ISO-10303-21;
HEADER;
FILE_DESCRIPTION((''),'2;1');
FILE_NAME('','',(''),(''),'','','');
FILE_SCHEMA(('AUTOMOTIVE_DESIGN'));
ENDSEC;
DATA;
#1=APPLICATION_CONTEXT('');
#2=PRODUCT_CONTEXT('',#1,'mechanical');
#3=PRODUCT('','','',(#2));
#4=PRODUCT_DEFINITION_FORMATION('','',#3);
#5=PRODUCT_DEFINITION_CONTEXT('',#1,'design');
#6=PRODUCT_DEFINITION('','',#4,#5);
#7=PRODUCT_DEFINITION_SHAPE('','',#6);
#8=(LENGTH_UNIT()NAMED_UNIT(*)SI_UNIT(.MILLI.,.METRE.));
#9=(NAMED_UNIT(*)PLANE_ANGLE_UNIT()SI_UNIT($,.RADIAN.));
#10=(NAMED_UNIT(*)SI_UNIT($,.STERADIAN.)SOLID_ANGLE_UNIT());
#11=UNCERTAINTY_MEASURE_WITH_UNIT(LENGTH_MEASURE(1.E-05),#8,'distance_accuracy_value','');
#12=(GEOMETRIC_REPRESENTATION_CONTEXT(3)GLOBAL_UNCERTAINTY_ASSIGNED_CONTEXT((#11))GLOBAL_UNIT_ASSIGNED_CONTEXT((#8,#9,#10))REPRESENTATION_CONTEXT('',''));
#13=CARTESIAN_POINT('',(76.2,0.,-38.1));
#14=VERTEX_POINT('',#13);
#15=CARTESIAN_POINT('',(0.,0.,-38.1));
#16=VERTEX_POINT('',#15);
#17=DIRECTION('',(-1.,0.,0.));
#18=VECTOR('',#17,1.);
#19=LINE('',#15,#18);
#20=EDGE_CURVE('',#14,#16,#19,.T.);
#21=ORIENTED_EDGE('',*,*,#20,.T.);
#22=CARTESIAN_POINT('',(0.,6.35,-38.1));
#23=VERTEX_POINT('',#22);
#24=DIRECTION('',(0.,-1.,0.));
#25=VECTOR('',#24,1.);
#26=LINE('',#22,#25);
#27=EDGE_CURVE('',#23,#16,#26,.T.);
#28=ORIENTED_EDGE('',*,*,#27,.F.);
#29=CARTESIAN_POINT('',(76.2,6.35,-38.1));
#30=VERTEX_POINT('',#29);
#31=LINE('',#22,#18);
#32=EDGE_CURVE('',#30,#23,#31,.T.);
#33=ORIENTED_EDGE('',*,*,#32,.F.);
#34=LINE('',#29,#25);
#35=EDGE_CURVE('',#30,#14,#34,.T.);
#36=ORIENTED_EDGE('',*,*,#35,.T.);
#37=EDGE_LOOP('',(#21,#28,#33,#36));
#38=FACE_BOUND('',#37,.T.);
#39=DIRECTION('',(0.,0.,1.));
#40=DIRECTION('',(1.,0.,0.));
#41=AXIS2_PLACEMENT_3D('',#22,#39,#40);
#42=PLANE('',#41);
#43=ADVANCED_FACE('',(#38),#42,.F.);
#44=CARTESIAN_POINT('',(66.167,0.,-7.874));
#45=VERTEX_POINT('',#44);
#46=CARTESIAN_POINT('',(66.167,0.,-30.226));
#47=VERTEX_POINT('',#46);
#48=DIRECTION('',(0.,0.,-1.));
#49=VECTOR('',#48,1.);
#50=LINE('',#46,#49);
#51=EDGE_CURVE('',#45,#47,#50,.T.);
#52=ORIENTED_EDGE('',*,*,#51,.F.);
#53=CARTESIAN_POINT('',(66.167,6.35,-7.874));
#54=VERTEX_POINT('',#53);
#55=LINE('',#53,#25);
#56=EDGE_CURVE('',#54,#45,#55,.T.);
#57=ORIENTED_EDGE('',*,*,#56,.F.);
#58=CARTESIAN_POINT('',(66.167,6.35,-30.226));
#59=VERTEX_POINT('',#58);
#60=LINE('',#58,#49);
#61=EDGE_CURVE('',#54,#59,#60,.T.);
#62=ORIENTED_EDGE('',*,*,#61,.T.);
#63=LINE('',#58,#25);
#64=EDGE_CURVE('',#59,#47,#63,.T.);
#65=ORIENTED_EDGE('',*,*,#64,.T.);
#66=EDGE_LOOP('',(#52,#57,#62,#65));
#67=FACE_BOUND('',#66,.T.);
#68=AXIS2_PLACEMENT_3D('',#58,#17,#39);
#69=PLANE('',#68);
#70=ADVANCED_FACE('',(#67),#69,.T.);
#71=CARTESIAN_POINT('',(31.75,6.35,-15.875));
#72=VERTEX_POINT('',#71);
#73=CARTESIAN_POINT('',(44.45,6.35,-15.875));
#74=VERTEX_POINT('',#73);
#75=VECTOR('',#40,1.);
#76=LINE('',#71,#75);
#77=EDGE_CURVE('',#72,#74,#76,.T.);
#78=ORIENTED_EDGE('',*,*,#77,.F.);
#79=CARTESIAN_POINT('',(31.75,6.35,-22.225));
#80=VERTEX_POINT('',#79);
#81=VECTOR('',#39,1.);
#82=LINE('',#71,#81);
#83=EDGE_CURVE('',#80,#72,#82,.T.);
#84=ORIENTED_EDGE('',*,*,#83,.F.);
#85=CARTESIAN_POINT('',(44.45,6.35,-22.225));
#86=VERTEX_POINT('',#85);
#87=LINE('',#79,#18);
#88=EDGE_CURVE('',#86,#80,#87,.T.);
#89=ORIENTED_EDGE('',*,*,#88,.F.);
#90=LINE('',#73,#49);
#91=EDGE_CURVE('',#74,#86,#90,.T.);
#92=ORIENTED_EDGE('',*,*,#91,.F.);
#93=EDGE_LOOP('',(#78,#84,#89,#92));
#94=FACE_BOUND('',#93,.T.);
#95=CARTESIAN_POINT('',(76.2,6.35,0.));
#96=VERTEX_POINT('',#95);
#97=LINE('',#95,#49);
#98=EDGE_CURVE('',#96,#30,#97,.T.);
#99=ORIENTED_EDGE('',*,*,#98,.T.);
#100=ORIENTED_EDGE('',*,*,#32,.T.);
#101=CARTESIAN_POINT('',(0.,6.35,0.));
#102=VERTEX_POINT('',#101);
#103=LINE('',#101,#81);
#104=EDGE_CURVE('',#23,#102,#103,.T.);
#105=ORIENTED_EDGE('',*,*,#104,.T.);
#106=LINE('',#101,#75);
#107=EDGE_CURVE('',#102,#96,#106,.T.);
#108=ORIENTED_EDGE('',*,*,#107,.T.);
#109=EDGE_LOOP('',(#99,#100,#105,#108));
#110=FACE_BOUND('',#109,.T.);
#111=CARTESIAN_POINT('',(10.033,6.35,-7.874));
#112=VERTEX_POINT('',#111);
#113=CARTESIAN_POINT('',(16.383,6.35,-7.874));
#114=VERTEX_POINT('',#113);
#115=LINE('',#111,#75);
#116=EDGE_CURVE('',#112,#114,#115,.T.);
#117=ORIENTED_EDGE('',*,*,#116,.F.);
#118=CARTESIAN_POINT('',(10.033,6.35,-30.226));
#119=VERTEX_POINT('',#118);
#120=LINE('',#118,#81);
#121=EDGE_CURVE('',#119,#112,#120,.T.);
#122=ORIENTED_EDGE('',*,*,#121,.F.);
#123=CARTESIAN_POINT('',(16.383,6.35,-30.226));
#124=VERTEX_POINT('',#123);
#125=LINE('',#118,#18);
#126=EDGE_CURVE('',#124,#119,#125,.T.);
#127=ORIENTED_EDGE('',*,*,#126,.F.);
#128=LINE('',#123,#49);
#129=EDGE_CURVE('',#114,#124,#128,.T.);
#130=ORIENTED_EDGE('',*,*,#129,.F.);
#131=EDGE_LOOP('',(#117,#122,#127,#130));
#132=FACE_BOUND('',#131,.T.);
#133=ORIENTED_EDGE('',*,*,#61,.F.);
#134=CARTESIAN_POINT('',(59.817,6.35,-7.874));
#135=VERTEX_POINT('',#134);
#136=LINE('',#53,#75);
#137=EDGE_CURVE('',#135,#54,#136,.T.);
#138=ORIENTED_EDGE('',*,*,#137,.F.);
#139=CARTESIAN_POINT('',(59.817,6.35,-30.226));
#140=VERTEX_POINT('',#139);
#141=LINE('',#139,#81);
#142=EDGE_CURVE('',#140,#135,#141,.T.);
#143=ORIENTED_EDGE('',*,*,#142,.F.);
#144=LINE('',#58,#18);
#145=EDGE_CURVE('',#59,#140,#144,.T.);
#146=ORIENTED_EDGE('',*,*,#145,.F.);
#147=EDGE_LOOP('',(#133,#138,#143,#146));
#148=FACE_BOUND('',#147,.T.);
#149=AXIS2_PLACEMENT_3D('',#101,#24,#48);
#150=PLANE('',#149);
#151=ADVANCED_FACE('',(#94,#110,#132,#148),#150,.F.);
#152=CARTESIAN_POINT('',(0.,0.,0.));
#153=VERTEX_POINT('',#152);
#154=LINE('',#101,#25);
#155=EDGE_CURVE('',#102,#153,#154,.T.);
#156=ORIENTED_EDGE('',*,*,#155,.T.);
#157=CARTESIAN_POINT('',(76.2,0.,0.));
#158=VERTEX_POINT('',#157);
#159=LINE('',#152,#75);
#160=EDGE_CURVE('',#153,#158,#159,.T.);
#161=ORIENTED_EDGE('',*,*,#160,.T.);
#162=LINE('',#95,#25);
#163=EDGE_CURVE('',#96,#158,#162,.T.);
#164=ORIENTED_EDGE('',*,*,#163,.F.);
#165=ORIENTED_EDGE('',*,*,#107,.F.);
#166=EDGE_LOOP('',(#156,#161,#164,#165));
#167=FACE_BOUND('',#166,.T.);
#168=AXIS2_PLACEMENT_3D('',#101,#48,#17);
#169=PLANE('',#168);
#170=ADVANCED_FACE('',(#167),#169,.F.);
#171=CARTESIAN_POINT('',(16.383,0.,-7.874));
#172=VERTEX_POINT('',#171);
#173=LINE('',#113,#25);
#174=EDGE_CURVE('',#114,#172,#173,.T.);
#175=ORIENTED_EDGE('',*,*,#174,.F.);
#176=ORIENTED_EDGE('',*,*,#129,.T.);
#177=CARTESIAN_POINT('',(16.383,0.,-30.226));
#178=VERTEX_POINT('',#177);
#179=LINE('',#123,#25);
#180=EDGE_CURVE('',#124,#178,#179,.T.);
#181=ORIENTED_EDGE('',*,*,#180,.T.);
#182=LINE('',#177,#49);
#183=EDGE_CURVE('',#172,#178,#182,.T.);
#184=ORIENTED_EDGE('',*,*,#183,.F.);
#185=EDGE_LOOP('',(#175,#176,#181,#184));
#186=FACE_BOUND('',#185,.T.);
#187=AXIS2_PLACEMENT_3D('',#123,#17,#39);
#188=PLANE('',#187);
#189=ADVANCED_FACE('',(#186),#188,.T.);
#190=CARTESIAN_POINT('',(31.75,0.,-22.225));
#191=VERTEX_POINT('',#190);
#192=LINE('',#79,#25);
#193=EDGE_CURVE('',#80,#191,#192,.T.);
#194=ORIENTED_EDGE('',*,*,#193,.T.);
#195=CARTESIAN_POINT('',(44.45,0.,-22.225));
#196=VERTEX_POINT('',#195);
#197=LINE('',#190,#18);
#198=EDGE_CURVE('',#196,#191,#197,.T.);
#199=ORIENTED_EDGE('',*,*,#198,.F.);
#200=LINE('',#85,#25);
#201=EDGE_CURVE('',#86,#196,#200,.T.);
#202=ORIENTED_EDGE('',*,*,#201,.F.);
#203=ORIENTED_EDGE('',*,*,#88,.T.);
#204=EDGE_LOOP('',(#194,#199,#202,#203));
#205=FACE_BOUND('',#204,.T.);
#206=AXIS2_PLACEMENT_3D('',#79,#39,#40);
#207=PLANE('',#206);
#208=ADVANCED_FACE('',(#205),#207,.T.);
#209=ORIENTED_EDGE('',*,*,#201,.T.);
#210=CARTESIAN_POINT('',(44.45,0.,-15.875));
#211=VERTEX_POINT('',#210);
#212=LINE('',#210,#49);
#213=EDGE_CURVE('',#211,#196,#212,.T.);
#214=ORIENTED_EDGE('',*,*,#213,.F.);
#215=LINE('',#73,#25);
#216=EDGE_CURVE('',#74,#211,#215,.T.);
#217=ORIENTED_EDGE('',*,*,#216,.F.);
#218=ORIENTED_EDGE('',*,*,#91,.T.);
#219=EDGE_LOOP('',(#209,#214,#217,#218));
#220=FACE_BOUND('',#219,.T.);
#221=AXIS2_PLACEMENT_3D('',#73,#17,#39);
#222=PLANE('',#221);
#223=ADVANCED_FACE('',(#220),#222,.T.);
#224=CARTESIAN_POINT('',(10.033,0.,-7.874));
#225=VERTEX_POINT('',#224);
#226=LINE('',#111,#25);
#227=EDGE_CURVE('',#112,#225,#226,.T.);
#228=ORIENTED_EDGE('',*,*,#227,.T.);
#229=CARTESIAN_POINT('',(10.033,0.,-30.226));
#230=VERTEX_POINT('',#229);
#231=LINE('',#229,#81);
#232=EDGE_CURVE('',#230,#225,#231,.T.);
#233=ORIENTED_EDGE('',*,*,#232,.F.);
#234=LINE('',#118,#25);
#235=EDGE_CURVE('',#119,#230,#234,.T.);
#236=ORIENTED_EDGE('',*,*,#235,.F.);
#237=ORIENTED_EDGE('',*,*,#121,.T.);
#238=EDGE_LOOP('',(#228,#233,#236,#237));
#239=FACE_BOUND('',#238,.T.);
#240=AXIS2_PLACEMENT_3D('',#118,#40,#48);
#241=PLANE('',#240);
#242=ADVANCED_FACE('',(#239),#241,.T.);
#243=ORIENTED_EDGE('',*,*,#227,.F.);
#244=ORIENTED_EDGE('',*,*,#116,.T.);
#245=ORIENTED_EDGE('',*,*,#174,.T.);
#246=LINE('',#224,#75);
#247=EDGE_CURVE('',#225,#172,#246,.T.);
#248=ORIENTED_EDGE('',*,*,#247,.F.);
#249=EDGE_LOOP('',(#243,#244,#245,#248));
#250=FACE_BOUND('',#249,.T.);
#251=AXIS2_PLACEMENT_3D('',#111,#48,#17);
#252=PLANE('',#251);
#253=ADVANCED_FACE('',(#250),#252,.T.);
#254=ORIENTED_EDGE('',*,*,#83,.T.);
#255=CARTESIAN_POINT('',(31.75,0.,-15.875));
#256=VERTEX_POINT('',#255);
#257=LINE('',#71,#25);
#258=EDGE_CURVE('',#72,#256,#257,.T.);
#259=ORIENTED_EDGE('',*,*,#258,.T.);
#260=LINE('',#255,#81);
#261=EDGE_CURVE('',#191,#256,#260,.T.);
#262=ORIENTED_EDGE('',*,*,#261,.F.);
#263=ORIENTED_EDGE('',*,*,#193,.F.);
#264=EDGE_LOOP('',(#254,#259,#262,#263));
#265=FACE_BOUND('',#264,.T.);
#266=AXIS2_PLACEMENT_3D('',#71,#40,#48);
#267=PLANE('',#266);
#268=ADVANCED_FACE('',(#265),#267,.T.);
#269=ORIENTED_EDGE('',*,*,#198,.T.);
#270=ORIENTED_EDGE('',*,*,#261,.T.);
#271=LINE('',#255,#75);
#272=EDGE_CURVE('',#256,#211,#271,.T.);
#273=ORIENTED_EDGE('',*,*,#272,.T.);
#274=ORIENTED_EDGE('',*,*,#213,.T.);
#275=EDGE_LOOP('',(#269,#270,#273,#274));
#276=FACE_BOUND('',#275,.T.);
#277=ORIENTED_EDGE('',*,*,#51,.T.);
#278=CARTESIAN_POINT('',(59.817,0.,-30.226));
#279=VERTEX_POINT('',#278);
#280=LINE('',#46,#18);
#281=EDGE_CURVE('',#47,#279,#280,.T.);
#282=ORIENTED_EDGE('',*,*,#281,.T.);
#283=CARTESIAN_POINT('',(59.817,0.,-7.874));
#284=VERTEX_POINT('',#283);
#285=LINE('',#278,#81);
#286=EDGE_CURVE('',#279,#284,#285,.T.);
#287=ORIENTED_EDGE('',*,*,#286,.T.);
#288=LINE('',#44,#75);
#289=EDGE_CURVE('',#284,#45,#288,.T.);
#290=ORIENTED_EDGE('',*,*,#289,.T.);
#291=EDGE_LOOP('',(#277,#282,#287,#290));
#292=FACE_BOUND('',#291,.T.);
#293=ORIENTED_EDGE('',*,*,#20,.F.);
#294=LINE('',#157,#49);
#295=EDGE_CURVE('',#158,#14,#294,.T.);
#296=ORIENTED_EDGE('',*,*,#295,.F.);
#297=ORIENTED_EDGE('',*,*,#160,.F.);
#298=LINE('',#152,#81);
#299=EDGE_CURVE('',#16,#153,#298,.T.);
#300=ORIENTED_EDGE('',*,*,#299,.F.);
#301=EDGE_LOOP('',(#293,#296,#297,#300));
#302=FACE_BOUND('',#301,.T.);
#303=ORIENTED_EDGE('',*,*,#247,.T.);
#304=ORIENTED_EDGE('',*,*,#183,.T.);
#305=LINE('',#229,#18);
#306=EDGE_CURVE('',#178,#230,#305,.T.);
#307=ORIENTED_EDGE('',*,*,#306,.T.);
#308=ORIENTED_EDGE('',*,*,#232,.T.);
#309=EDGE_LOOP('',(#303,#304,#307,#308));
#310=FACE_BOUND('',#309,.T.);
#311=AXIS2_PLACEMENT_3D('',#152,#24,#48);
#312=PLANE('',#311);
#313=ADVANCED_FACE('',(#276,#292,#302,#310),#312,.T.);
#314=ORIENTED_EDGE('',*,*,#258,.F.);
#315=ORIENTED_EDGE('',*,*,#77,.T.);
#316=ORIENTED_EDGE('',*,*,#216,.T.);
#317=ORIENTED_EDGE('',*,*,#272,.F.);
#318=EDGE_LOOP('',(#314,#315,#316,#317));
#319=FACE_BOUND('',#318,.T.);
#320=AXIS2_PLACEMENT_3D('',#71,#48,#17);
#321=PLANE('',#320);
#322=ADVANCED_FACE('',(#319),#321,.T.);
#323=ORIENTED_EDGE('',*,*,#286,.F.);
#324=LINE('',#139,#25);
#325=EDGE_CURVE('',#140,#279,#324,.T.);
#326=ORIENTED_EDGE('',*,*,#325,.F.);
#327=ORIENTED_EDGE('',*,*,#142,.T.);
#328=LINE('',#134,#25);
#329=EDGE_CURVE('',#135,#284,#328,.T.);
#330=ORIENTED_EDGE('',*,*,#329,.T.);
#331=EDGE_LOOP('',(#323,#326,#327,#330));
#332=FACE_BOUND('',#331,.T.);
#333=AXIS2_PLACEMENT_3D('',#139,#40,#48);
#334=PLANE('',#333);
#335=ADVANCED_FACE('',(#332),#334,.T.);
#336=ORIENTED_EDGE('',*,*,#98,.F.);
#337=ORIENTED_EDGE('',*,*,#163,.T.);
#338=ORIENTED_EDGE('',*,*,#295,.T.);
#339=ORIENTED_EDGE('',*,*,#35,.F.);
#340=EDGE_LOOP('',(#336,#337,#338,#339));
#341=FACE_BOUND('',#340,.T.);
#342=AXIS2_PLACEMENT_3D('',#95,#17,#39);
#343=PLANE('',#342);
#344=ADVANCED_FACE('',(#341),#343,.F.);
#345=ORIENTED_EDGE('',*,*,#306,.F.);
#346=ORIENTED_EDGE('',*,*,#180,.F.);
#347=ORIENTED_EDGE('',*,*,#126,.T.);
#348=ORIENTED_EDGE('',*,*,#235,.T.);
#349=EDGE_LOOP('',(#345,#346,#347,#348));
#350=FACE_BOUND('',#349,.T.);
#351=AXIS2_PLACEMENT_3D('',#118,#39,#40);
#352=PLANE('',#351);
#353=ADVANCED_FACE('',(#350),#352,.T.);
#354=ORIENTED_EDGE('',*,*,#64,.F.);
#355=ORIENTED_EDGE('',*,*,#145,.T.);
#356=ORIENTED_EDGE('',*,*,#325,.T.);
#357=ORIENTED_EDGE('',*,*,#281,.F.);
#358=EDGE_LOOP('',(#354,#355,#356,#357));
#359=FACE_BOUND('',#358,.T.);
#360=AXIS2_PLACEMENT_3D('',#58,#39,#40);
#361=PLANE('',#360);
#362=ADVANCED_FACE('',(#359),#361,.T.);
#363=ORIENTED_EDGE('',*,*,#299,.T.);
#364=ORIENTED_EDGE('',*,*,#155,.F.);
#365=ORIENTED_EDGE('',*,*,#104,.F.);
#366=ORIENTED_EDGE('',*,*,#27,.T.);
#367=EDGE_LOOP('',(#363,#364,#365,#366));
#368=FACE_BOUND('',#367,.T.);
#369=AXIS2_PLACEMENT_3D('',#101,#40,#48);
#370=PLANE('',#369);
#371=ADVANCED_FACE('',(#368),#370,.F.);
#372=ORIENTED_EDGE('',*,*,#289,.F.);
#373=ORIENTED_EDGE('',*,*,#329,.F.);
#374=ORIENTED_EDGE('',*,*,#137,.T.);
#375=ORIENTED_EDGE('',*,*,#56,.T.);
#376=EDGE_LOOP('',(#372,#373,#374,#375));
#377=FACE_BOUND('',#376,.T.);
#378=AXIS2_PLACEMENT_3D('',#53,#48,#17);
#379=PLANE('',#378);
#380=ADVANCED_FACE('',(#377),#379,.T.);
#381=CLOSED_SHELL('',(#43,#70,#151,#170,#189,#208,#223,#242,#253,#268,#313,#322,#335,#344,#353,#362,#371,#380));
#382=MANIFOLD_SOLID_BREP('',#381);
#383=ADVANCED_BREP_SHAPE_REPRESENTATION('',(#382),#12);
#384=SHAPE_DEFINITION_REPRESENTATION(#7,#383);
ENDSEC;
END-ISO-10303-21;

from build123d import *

# Parameters (mm, degrees)
SKETCH1_W           = 76.2
SKETCH1_H           = 38.1
SKETCH1_W_2         = 6.35
SKETCH1_H_2         = 22.352
SKETCH1_W_3         = 12.7
SKETCH1_H_3         = 6.35
BOSS_EXTRUDE1_DEPTH = 6.35


with BuildPart() as part:
    # Sketch1 → Boss-Extrude1 (new body)
    with BuildSketch(Plane(origin=(0, 0, 0), x_dir=(1, 0, 0), z_dir=(0, 1, 0))):
        with Locations((38.1, 19.05)):
            Rectangle(SKETCH1_W, SKETCH1_H)
        with Locations((13.208, 19.05)):
            Rectangle(SKETCH1_W_2, SKETCH1_H_2, mode=Mode.SUBTRACT)
        with Locations((62.992, 19.05)):
            Rectangle(SKETCH1_W_2, SKETCH1_H_2, mode=Mode.SUBTRACT)
        with Locations((38.1, 19.05)):
            Rectangle(SKETCH1_W_3, SKETCH1_H_3, mode=Mode.SUBTRACT)
    extrude(amount=BOSS_EXTRUDE1_DEPTH)


solid = part.part
